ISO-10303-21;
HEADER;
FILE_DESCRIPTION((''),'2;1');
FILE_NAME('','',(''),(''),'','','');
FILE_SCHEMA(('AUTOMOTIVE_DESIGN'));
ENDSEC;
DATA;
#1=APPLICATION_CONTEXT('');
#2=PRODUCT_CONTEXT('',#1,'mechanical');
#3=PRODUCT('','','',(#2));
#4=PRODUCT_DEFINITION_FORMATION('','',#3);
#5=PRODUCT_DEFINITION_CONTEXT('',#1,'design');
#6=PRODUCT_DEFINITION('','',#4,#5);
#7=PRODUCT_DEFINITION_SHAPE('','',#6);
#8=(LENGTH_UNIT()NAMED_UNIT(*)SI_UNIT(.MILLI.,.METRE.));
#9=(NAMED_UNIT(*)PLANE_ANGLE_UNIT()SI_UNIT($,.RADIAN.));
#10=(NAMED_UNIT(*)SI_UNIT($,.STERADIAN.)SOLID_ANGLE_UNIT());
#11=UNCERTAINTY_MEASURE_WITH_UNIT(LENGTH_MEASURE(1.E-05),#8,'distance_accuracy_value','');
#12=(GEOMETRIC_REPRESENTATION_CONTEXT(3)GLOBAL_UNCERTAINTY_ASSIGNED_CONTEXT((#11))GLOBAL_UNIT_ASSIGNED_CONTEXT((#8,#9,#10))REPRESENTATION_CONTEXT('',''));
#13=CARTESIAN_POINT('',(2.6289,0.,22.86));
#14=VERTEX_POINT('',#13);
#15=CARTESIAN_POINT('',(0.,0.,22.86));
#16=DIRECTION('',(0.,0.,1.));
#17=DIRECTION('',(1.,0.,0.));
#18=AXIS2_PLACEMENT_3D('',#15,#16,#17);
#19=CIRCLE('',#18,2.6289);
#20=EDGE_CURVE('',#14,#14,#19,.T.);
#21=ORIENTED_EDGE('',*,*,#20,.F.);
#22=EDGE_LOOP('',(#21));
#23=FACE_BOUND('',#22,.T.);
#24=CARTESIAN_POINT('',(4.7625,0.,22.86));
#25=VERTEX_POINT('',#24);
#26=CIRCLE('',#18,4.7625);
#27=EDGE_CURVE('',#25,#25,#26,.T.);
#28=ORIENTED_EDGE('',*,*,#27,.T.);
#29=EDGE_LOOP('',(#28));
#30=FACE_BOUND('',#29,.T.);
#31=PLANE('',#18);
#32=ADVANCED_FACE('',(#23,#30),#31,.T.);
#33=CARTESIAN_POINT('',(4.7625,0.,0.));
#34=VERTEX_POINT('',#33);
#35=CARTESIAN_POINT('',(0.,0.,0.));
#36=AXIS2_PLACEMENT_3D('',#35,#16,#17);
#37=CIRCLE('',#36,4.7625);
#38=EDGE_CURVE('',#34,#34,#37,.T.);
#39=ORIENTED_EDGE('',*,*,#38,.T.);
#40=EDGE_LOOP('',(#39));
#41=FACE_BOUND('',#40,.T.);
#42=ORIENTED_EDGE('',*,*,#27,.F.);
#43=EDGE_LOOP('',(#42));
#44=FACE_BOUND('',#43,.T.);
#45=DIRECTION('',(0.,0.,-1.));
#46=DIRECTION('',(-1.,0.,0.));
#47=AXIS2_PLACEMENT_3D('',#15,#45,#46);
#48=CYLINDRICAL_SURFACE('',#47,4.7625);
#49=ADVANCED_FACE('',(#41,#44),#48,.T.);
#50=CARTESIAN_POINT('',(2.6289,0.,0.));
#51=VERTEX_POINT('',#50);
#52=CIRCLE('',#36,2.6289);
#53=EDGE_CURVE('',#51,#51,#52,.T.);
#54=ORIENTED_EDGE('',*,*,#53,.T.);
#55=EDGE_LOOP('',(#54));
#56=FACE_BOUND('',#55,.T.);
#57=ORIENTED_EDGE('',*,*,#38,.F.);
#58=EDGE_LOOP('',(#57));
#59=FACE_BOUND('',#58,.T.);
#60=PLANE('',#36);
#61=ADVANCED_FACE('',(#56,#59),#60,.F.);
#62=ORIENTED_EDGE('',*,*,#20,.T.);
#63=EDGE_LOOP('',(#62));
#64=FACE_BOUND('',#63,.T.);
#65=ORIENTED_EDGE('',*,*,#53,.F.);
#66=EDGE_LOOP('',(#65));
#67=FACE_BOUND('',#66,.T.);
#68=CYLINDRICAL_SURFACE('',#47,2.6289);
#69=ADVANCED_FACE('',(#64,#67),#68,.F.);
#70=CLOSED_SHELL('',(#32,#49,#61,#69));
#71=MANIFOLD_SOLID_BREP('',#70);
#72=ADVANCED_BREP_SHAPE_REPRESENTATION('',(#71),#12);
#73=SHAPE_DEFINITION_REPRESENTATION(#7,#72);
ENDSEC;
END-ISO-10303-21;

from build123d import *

# Parameters (mm, degrees)
SKETCH1_R           = 4.7625
SKETCH1_R_2         = 2.6289
BOSS_EXTRUDE1_DEPTH = 22.86


with BuildPart() as part:
    # Sketch1 → Boss-Extrude1 (new body)
    with BuildSketch(Plane.XY):
        Circle(SKETCH1_R)
        Circle(SKETCH1_R_2, mode=Mode.SUBTRACT)
    extrude(amount=BOSS_EXTRUDE1_DEPTH)


solid = part.part
